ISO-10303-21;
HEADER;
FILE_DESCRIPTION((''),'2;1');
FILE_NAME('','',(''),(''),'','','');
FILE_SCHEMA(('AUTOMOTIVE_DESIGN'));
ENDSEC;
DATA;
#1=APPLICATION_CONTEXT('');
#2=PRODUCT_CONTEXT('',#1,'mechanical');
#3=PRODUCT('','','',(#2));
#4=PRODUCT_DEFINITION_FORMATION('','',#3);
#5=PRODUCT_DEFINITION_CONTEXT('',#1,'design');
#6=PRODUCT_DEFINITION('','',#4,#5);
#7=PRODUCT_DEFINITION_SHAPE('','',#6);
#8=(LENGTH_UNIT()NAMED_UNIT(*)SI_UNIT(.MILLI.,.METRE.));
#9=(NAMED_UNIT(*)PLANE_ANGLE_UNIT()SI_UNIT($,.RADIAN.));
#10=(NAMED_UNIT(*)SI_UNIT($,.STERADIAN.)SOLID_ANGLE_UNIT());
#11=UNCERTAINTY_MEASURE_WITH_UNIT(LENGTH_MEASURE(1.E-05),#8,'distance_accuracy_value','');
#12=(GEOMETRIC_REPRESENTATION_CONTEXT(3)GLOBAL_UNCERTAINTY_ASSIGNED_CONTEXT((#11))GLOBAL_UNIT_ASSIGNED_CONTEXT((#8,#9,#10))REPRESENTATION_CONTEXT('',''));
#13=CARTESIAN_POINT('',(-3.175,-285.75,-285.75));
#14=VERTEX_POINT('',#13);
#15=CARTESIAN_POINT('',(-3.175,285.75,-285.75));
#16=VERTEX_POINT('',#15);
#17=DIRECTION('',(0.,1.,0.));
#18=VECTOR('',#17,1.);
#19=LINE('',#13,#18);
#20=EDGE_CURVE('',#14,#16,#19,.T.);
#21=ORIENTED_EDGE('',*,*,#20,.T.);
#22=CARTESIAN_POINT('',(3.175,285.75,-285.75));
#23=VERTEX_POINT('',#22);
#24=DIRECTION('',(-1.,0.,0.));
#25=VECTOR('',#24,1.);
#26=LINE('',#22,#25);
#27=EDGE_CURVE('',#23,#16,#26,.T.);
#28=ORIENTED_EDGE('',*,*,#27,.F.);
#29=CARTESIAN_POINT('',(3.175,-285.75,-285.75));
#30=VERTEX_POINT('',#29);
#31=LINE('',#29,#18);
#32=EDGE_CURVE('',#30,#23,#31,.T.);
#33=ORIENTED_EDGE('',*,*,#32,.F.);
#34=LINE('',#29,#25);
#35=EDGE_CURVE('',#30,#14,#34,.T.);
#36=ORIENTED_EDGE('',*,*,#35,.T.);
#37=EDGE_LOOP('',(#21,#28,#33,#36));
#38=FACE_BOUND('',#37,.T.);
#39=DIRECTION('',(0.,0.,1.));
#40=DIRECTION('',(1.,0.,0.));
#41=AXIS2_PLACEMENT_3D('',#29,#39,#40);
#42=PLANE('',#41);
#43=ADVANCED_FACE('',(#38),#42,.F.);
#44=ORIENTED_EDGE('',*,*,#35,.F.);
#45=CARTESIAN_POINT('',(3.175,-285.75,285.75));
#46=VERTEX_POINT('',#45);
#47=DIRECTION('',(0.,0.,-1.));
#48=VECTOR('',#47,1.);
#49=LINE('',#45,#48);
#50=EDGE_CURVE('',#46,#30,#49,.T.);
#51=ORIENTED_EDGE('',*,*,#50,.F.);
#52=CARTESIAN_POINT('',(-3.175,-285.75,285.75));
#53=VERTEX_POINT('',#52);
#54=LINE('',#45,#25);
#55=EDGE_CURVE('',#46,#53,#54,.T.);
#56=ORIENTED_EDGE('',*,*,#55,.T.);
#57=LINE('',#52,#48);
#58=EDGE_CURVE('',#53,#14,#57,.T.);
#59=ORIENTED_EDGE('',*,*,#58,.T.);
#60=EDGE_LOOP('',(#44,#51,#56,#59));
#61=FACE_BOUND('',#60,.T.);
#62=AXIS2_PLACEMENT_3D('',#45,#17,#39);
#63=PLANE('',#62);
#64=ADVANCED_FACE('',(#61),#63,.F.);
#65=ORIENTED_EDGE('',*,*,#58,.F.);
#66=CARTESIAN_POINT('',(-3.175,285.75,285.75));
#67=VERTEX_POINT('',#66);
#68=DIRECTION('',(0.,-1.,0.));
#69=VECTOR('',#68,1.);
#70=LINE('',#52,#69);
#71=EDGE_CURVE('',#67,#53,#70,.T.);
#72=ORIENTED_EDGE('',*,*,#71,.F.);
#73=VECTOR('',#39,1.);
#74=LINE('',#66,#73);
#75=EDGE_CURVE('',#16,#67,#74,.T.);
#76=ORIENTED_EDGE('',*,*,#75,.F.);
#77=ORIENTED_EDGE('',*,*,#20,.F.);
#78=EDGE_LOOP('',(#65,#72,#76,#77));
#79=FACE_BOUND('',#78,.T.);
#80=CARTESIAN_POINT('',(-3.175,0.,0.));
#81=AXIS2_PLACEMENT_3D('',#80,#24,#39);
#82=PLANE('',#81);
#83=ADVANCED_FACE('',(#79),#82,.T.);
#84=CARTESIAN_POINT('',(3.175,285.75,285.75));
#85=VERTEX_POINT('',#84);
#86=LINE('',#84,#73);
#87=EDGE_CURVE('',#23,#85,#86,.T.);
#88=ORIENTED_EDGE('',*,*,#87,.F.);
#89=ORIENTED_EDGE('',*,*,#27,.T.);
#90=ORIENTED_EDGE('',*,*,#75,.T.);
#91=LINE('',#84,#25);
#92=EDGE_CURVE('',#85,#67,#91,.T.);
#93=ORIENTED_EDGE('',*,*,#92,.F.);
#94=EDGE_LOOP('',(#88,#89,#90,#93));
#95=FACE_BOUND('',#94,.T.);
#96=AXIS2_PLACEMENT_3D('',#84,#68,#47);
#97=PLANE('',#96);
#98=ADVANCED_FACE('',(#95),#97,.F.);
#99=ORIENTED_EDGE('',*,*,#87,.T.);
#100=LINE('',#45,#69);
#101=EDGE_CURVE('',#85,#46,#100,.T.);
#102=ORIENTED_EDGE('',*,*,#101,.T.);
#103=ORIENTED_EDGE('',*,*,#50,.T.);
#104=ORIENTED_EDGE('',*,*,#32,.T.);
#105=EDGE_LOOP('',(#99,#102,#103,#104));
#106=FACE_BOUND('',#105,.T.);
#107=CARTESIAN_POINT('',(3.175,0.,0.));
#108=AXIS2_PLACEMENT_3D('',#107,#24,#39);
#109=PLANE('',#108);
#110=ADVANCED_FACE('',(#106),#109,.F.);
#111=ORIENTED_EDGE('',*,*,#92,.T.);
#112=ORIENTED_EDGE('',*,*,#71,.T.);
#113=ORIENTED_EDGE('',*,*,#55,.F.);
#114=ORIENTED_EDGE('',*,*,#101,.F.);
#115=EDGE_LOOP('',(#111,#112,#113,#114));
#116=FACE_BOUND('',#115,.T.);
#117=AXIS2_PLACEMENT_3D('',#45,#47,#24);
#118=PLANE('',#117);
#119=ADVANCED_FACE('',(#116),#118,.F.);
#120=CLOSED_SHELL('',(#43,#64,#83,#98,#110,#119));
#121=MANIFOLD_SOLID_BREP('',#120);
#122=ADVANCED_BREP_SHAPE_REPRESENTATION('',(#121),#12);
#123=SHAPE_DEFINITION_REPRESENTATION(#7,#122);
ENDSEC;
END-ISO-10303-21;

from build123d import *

# Parameters (mm, degrees)
BOSS_EXTRUDE1_DEPTH      = 3.175
BOSS_EXTRUDE1_DEPTH_BACK = 3.175
SKETCH3_W                = 571.5
SKETCH3_H                = 571.5


with BuildPart() as part:
    # Sketch3 → Boss-Extrude1 (new, two sides: drawn at the far end of the back side and taken through both)
    with BuildSketch(Plane(origin=(0, 0, 0), x_dir=(0, 0, -1), z_dir=(1, 0, 0)).offset(-BOSS_EXTRUDE1_DEPTH_BACK)):
        Rectangle(SKETCH3_W, SKETCH3_H)
    extrude(amount=BOSS_EXTRUDE1_DEPTH + BOSS_EXTRUDE1_DEPTH_BACK)


solid = part.part
